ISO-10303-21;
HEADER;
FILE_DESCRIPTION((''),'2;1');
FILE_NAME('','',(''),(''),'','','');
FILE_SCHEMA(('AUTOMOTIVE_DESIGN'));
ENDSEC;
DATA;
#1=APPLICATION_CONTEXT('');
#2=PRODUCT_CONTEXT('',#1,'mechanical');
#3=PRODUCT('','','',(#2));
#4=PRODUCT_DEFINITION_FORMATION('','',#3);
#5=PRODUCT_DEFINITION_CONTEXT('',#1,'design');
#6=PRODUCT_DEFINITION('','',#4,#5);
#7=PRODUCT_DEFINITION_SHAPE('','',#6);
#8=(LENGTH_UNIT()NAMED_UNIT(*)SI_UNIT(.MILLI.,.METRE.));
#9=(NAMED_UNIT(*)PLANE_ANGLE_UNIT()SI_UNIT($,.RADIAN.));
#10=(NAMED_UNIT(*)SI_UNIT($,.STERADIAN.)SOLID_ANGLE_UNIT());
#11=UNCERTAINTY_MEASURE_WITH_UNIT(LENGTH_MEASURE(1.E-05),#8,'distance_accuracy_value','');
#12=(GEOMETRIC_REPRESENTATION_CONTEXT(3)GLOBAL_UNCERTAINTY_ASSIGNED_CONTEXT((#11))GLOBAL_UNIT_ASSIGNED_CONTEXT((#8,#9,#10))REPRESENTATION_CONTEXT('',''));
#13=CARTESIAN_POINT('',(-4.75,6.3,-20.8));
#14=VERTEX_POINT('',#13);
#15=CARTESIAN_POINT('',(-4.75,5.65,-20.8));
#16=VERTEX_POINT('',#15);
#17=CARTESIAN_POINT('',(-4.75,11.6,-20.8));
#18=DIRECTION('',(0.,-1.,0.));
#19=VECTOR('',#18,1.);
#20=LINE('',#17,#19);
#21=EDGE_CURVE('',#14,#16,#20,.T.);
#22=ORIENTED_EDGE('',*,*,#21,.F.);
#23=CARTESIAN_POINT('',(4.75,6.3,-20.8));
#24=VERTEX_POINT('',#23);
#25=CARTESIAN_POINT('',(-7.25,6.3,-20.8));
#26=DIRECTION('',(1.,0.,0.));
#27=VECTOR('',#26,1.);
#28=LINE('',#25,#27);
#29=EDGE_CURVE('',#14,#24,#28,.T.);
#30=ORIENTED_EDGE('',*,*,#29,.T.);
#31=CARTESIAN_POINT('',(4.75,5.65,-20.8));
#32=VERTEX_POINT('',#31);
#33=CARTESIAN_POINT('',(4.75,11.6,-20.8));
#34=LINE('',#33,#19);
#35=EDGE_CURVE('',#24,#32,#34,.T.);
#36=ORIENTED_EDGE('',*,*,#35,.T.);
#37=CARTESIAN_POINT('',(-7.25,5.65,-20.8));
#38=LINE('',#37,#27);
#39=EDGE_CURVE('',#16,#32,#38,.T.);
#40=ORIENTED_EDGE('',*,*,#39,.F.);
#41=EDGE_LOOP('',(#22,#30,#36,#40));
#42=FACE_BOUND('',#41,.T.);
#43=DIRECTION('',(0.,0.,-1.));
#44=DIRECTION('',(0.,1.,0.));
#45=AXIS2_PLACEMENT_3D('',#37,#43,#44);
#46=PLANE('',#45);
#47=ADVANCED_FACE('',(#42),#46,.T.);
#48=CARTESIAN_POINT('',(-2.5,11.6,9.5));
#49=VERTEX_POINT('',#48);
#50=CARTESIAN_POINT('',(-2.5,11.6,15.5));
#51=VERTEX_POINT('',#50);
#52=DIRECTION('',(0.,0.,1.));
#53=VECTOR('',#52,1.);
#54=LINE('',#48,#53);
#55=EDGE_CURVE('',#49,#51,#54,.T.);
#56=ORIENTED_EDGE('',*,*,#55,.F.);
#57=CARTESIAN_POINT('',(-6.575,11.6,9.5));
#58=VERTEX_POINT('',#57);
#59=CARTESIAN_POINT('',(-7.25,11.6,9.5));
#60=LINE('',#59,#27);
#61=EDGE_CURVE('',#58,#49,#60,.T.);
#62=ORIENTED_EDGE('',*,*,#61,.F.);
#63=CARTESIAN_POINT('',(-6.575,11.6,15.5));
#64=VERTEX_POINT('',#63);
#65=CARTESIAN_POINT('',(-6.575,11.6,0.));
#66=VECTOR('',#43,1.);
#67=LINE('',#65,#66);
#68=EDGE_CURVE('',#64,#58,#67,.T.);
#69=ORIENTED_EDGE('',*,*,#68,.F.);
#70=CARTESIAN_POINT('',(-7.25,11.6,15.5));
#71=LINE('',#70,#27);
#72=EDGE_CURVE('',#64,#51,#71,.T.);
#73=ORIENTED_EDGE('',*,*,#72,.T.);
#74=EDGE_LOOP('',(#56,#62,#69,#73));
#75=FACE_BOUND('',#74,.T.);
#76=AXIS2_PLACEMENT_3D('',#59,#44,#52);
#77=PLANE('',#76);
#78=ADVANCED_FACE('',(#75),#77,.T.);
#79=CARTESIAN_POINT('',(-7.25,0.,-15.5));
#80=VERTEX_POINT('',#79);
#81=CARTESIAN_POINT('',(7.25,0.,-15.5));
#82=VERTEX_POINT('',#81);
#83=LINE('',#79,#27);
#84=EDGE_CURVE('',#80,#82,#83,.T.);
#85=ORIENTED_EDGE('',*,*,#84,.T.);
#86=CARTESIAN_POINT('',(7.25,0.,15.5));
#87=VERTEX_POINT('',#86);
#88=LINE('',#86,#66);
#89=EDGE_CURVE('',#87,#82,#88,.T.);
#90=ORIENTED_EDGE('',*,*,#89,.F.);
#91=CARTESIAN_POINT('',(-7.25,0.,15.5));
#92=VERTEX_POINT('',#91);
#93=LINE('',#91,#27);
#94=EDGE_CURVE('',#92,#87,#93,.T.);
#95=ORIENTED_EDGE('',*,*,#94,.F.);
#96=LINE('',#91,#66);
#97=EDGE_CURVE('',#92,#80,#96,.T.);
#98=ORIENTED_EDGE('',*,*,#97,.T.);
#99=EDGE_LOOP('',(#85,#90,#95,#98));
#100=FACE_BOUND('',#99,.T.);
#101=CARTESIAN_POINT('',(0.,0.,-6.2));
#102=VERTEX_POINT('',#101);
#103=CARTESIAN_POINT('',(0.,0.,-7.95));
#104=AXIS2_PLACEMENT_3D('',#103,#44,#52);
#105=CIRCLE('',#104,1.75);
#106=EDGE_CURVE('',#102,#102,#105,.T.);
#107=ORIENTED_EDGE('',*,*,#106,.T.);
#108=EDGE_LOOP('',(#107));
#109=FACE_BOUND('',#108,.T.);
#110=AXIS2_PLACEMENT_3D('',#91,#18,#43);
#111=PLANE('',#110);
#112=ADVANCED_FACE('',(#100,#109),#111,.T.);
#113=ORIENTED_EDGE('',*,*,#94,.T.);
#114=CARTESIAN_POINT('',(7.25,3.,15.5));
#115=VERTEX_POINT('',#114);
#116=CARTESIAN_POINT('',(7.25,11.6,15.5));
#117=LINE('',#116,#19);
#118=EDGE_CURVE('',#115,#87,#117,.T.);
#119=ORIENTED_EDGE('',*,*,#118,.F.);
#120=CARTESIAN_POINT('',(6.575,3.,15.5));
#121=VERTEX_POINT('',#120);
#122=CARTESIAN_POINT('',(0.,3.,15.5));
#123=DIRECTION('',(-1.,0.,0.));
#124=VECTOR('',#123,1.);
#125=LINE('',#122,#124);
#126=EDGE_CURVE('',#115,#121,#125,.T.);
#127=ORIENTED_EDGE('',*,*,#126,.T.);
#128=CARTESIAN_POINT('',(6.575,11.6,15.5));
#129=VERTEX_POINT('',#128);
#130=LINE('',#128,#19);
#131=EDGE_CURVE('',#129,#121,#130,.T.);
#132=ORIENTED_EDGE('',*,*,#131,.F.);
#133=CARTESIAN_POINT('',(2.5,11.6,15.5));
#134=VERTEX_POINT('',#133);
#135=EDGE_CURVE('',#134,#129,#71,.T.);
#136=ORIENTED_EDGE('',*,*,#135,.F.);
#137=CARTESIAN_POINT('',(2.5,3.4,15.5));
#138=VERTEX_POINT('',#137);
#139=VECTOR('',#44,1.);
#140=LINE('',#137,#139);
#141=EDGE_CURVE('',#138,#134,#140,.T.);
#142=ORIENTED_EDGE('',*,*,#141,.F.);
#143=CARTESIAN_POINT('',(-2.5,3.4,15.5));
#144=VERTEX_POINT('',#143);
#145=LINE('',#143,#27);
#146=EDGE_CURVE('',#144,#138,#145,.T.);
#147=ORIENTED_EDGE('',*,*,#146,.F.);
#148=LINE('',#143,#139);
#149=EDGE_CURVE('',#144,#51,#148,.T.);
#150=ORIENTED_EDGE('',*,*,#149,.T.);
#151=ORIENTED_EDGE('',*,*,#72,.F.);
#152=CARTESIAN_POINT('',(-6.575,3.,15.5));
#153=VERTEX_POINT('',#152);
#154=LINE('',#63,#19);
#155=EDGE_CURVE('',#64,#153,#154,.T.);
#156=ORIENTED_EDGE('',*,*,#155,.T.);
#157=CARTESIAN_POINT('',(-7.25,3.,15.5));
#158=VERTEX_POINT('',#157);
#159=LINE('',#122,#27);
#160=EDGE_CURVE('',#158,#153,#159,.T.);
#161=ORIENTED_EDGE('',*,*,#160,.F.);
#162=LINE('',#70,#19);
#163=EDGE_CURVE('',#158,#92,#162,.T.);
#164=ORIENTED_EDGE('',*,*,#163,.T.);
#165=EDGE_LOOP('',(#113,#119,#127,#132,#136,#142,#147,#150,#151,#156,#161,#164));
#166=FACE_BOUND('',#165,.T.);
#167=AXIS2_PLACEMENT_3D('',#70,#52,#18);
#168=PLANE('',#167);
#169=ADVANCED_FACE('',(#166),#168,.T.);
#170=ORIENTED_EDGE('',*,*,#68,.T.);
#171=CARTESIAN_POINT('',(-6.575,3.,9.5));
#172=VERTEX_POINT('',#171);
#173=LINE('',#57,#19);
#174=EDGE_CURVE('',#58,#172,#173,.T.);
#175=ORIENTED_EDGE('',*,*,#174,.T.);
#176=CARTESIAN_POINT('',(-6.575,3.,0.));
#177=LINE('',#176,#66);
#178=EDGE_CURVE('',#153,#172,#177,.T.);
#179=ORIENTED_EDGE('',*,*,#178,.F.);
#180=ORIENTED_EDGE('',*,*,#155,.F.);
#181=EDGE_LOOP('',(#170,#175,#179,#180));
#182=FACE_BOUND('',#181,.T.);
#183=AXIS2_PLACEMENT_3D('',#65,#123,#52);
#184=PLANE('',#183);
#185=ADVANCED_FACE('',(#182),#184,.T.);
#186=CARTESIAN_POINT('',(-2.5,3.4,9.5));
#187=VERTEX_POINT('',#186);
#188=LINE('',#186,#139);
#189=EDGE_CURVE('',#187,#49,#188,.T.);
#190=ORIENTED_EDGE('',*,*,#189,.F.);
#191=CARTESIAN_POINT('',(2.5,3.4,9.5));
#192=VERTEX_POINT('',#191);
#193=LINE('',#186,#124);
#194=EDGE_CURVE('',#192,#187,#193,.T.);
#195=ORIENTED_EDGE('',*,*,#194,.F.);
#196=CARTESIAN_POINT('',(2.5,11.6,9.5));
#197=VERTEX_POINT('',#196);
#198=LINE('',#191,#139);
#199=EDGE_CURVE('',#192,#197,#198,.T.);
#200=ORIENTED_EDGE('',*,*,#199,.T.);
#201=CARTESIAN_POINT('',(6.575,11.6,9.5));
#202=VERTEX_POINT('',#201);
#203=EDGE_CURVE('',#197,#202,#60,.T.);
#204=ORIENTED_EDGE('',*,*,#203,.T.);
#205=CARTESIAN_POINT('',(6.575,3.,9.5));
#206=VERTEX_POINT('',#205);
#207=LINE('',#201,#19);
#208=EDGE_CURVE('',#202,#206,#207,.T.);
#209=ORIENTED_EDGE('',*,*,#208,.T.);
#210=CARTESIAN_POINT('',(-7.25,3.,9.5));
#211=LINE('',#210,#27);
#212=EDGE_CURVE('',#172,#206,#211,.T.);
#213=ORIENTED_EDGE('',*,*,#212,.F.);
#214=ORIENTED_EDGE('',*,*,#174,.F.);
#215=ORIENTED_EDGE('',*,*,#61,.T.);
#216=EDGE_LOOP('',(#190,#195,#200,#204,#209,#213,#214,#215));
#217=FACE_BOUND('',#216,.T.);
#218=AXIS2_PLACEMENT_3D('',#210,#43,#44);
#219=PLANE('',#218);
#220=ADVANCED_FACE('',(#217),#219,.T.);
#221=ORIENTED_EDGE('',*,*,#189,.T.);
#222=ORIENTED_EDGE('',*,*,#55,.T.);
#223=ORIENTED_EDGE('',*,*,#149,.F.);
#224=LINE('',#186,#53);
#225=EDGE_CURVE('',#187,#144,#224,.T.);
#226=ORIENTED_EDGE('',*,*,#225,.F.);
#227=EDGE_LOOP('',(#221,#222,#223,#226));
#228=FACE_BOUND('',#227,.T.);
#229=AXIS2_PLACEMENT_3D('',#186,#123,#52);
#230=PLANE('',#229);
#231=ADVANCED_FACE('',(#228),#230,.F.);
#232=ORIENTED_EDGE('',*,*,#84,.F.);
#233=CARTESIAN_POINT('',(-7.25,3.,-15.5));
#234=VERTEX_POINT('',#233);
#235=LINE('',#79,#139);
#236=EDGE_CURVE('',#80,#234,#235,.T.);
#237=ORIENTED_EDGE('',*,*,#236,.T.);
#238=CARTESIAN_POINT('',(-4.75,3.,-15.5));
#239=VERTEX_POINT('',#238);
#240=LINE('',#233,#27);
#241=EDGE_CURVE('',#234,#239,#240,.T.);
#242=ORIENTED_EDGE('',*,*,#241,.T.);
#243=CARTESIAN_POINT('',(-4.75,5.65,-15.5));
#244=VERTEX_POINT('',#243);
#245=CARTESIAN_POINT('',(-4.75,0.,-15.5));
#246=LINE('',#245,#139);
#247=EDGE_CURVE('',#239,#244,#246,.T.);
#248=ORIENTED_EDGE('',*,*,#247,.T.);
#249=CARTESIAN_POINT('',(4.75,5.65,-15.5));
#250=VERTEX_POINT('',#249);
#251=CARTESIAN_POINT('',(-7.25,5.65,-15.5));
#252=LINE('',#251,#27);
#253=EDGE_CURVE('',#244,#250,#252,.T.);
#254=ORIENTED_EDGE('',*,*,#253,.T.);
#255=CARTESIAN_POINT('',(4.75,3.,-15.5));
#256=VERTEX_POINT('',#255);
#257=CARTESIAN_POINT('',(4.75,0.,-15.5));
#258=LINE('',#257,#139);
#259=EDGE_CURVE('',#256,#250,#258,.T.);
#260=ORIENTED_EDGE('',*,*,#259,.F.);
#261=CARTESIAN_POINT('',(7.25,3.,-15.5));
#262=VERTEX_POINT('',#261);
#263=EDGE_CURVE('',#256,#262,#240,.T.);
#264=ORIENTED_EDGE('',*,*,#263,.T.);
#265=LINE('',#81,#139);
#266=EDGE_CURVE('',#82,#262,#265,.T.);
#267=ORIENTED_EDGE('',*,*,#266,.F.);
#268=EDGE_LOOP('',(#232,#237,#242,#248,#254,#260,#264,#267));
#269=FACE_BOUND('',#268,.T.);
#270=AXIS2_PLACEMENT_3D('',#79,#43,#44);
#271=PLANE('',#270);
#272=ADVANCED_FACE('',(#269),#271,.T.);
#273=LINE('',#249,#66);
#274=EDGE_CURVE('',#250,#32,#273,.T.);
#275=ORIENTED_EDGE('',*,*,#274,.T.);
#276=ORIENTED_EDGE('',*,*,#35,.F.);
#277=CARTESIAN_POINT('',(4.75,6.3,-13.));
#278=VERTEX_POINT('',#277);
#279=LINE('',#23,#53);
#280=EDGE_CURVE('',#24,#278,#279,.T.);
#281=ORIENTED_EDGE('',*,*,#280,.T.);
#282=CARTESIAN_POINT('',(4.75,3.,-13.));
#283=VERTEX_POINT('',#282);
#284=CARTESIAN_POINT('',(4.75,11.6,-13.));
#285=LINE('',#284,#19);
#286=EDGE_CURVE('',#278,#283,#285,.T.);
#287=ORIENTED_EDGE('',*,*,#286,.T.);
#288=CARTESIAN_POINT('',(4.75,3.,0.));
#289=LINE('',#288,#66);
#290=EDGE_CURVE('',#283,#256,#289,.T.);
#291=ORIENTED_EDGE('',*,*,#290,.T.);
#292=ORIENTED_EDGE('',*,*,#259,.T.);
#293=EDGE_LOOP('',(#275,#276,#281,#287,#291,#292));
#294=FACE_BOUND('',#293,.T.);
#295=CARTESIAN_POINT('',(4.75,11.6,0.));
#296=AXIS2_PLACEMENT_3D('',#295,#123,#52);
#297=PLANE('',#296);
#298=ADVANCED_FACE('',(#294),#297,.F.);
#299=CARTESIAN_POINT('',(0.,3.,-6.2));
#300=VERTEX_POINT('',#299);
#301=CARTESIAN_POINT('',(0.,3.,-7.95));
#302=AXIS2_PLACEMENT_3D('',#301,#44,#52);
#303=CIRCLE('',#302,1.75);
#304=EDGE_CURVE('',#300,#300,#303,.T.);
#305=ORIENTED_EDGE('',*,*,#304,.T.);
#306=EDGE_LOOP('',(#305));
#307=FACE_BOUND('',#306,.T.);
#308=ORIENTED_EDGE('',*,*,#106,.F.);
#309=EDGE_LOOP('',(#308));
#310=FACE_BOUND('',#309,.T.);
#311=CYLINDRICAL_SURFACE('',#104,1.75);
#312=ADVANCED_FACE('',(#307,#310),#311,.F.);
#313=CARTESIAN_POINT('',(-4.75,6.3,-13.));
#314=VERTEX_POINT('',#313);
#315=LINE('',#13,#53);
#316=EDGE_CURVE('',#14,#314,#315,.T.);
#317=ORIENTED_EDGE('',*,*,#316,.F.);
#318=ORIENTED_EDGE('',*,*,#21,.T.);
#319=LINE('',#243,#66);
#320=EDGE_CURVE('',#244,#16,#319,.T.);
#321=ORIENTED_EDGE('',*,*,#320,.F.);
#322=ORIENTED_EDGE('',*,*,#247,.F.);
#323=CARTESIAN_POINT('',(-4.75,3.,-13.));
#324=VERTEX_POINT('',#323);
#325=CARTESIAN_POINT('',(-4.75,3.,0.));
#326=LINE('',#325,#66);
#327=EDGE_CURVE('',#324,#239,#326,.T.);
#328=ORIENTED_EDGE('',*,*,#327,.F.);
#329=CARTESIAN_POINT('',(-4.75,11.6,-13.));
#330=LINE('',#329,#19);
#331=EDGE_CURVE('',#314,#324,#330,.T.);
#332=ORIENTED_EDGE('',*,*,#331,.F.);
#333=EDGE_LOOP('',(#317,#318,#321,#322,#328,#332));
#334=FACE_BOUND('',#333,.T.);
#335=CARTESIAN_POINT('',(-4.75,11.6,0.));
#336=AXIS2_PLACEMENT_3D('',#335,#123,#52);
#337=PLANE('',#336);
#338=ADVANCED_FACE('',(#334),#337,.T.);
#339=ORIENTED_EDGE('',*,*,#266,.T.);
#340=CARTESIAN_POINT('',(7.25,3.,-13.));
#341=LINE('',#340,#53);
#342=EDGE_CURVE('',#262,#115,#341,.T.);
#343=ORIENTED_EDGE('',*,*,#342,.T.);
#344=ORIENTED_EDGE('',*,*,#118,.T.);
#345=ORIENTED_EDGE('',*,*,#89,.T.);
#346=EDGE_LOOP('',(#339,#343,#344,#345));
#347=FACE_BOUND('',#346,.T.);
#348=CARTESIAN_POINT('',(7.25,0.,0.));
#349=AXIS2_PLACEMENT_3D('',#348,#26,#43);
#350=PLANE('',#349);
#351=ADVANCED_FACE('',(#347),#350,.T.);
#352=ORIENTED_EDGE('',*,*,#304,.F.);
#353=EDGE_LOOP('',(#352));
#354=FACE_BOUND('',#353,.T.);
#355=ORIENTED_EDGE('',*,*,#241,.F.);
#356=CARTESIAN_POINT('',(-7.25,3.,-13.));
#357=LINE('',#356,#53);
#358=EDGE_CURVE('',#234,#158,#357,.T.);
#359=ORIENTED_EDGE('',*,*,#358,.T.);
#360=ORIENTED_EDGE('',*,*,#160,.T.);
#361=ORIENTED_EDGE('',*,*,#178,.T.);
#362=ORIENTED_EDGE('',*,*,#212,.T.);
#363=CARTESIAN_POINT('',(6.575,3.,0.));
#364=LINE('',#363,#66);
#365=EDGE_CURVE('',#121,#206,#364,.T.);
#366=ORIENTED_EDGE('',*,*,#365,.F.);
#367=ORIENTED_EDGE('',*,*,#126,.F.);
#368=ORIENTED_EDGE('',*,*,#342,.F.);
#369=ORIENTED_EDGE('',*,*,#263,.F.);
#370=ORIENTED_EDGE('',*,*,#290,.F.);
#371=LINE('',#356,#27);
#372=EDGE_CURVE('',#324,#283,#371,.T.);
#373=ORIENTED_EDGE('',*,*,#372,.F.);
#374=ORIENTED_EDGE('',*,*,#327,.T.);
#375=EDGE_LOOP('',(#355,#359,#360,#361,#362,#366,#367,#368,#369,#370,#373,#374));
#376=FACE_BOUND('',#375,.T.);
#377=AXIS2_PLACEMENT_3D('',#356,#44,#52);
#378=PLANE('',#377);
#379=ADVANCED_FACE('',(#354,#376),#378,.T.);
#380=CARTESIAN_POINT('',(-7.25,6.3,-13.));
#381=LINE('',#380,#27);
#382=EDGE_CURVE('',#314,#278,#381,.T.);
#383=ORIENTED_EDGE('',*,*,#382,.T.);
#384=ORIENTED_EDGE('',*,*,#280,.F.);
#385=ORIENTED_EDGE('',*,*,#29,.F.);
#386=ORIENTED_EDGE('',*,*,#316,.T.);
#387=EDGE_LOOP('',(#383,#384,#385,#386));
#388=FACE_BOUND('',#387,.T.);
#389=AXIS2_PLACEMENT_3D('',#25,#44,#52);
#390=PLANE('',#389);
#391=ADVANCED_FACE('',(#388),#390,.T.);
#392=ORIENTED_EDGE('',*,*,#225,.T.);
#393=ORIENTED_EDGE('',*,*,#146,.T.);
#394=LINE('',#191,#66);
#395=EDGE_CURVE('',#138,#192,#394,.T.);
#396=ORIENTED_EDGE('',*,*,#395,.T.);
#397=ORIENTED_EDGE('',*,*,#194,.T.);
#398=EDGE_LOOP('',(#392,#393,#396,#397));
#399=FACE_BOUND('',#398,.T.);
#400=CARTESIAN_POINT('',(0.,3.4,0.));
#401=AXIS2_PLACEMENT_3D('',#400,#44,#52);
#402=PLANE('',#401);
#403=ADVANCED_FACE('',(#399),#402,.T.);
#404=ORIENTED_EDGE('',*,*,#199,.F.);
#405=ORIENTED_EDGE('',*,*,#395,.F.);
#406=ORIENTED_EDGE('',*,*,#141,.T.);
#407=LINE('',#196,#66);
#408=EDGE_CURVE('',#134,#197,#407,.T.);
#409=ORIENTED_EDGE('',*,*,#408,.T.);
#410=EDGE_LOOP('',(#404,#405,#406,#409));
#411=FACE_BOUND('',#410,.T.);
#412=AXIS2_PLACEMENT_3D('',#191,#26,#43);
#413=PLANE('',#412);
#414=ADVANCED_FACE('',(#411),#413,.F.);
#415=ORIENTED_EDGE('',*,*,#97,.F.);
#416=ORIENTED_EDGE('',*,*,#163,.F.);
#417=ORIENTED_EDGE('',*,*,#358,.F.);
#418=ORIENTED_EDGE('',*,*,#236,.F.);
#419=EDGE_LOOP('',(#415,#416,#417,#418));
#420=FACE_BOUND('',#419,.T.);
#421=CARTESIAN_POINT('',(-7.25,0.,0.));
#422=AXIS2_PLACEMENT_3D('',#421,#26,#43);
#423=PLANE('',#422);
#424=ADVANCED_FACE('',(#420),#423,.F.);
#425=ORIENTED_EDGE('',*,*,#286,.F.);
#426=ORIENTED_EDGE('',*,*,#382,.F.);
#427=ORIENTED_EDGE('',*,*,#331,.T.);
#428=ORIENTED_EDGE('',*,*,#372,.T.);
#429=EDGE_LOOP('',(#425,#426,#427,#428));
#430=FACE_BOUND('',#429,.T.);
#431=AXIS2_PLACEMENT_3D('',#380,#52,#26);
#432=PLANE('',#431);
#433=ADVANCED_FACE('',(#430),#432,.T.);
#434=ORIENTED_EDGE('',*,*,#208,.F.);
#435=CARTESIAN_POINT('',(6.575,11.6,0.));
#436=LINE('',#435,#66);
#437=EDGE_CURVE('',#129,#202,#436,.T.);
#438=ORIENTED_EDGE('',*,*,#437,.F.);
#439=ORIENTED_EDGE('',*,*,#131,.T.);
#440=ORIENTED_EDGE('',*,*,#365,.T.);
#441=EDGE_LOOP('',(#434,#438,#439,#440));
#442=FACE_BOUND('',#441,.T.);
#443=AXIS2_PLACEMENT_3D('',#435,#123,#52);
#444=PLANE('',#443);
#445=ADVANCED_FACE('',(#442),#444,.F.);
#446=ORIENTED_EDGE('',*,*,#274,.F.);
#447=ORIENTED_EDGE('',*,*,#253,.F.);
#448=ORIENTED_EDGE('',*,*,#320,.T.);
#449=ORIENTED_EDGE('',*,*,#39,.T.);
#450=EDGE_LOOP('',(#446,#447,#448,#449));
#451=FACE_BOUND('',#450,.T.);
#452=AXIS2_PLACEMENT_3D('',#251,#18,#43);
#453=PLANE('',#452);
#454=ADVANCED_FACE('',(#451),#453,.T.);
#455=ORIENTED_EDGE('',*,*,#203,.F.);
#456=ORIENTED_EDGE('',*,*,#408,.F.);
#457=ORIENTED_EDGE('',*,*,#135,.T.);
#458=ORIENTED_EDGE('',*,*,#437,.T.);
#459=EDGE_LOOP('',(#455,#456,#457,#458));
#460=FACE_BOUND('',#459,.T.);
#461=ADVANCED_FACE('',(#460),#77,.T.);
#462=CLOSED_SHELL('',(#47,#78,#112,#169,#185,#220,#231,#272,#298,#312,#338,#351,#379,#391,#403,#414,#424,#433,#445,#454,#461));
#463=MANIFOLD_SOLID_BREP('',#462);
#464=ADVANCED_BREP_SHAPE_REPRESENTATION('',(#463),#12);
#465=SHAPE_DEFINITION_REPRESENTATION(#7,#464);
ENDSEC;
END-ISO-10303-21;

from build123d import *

# Parameters (mm, degrees)
BOSS_EXTRUDE1_DEPTH      = 7.25
BOSS_EXTRUDE1_DEPTH_BACK = 7.25
SKETCH2_W                = 2.5
SKETCH2_H                = 7.8
SKETCH2_W_2              = 0.675
SKETCH2_H_2              = 6
CUT_EXTRUDE1_DEPTH       = 24.646617094
SKETCH3_W                = 5
SKETCH3_H                = 6
CUT_EXTRUDE2_DEPTH       = 8.2
SKETCH4_R                = 1.75
CUT_EXTRUDE3_DEPTH       = 24.646617094


with BuildPart() as part:
    # Sketch1 → Boss-Extrude1 (new, two sides: drawn at the far end of the back side and taken through both)
    with BuildSketch(Plane(origin=(0, 0, 0), x_dir=(0, 0, -1), z_dir=(1, 0, 0)).offset(-BOSS_EXTRUDE1_DEPTH_BACK)):
        Polygon((-15.5, 0), (15.5, 0), (15.5, 5.65), (20.8, 5.65), (20.8, 6.3), (13, 6.3), (13, 3), (-9.5, 3), (-9.5, 11.6), (-15.5, 11.6), align=None)
    extrude(amount=BOSS_EXTRUDE1_DEPTH + BOSS_EXTRUDE1_DEPTH_BACK)

    # Sketch2 → Cut-Extrude1 (cut, through all)
    with BuildSketch(Plane(origin=(0, 3, 0), x_dir=(1, 0, 0), z_dir=(0, 1, 0))):
        with Locations((-6, 16.9)):
            Rectangle(SKETCH2_W, SKETCH2_H)
        with Locations((6, 16.9)):
            Rectangle(SKETCH2_W, SKETCH2_H)
        with Locations((-6.9125, -12.5)):
            Rectangle(SKETCH2_W_2, SKETCH2_H_2)
        with Locations((6.9125, -12.5)):
            Rectangle(SKETCH2_W_2, SKETCH2_H_2)
    extrude(amount=CUT_EXTRUDE1_DEPTH, mode=Mode.SUBTRACT)

    # Sketch3 → Cut-Extrude2 (cut)
    with BuildSketch(Plane(origin=(0, 11.6, 0), x_dir=(1, 0, 0), z_dir=(0, 1, 0))):
        with Locations((0, -12.5)):
            Rectangle(SKETCH3_W, SKETCH3_H)
    extrude(amount=-CUT_EXTRUDE2_DEPTH, mode=Mode.SUBTRACT)

    # Sketch4 → Cut-Extrude3 (cut, through all)
    with BuildSketch(Plane(origin=(0, 3, 0), x_dir=(1, 0, 0), z_dir=(0, 1, 0))):
        with Locations((0, 7.95)):
            Circle(SKETCH4_R)
    extrude(amount=-CUT_EXTRUDE3_DEPTH, mode=Mode.SUBTRACT)


solid = part.part
